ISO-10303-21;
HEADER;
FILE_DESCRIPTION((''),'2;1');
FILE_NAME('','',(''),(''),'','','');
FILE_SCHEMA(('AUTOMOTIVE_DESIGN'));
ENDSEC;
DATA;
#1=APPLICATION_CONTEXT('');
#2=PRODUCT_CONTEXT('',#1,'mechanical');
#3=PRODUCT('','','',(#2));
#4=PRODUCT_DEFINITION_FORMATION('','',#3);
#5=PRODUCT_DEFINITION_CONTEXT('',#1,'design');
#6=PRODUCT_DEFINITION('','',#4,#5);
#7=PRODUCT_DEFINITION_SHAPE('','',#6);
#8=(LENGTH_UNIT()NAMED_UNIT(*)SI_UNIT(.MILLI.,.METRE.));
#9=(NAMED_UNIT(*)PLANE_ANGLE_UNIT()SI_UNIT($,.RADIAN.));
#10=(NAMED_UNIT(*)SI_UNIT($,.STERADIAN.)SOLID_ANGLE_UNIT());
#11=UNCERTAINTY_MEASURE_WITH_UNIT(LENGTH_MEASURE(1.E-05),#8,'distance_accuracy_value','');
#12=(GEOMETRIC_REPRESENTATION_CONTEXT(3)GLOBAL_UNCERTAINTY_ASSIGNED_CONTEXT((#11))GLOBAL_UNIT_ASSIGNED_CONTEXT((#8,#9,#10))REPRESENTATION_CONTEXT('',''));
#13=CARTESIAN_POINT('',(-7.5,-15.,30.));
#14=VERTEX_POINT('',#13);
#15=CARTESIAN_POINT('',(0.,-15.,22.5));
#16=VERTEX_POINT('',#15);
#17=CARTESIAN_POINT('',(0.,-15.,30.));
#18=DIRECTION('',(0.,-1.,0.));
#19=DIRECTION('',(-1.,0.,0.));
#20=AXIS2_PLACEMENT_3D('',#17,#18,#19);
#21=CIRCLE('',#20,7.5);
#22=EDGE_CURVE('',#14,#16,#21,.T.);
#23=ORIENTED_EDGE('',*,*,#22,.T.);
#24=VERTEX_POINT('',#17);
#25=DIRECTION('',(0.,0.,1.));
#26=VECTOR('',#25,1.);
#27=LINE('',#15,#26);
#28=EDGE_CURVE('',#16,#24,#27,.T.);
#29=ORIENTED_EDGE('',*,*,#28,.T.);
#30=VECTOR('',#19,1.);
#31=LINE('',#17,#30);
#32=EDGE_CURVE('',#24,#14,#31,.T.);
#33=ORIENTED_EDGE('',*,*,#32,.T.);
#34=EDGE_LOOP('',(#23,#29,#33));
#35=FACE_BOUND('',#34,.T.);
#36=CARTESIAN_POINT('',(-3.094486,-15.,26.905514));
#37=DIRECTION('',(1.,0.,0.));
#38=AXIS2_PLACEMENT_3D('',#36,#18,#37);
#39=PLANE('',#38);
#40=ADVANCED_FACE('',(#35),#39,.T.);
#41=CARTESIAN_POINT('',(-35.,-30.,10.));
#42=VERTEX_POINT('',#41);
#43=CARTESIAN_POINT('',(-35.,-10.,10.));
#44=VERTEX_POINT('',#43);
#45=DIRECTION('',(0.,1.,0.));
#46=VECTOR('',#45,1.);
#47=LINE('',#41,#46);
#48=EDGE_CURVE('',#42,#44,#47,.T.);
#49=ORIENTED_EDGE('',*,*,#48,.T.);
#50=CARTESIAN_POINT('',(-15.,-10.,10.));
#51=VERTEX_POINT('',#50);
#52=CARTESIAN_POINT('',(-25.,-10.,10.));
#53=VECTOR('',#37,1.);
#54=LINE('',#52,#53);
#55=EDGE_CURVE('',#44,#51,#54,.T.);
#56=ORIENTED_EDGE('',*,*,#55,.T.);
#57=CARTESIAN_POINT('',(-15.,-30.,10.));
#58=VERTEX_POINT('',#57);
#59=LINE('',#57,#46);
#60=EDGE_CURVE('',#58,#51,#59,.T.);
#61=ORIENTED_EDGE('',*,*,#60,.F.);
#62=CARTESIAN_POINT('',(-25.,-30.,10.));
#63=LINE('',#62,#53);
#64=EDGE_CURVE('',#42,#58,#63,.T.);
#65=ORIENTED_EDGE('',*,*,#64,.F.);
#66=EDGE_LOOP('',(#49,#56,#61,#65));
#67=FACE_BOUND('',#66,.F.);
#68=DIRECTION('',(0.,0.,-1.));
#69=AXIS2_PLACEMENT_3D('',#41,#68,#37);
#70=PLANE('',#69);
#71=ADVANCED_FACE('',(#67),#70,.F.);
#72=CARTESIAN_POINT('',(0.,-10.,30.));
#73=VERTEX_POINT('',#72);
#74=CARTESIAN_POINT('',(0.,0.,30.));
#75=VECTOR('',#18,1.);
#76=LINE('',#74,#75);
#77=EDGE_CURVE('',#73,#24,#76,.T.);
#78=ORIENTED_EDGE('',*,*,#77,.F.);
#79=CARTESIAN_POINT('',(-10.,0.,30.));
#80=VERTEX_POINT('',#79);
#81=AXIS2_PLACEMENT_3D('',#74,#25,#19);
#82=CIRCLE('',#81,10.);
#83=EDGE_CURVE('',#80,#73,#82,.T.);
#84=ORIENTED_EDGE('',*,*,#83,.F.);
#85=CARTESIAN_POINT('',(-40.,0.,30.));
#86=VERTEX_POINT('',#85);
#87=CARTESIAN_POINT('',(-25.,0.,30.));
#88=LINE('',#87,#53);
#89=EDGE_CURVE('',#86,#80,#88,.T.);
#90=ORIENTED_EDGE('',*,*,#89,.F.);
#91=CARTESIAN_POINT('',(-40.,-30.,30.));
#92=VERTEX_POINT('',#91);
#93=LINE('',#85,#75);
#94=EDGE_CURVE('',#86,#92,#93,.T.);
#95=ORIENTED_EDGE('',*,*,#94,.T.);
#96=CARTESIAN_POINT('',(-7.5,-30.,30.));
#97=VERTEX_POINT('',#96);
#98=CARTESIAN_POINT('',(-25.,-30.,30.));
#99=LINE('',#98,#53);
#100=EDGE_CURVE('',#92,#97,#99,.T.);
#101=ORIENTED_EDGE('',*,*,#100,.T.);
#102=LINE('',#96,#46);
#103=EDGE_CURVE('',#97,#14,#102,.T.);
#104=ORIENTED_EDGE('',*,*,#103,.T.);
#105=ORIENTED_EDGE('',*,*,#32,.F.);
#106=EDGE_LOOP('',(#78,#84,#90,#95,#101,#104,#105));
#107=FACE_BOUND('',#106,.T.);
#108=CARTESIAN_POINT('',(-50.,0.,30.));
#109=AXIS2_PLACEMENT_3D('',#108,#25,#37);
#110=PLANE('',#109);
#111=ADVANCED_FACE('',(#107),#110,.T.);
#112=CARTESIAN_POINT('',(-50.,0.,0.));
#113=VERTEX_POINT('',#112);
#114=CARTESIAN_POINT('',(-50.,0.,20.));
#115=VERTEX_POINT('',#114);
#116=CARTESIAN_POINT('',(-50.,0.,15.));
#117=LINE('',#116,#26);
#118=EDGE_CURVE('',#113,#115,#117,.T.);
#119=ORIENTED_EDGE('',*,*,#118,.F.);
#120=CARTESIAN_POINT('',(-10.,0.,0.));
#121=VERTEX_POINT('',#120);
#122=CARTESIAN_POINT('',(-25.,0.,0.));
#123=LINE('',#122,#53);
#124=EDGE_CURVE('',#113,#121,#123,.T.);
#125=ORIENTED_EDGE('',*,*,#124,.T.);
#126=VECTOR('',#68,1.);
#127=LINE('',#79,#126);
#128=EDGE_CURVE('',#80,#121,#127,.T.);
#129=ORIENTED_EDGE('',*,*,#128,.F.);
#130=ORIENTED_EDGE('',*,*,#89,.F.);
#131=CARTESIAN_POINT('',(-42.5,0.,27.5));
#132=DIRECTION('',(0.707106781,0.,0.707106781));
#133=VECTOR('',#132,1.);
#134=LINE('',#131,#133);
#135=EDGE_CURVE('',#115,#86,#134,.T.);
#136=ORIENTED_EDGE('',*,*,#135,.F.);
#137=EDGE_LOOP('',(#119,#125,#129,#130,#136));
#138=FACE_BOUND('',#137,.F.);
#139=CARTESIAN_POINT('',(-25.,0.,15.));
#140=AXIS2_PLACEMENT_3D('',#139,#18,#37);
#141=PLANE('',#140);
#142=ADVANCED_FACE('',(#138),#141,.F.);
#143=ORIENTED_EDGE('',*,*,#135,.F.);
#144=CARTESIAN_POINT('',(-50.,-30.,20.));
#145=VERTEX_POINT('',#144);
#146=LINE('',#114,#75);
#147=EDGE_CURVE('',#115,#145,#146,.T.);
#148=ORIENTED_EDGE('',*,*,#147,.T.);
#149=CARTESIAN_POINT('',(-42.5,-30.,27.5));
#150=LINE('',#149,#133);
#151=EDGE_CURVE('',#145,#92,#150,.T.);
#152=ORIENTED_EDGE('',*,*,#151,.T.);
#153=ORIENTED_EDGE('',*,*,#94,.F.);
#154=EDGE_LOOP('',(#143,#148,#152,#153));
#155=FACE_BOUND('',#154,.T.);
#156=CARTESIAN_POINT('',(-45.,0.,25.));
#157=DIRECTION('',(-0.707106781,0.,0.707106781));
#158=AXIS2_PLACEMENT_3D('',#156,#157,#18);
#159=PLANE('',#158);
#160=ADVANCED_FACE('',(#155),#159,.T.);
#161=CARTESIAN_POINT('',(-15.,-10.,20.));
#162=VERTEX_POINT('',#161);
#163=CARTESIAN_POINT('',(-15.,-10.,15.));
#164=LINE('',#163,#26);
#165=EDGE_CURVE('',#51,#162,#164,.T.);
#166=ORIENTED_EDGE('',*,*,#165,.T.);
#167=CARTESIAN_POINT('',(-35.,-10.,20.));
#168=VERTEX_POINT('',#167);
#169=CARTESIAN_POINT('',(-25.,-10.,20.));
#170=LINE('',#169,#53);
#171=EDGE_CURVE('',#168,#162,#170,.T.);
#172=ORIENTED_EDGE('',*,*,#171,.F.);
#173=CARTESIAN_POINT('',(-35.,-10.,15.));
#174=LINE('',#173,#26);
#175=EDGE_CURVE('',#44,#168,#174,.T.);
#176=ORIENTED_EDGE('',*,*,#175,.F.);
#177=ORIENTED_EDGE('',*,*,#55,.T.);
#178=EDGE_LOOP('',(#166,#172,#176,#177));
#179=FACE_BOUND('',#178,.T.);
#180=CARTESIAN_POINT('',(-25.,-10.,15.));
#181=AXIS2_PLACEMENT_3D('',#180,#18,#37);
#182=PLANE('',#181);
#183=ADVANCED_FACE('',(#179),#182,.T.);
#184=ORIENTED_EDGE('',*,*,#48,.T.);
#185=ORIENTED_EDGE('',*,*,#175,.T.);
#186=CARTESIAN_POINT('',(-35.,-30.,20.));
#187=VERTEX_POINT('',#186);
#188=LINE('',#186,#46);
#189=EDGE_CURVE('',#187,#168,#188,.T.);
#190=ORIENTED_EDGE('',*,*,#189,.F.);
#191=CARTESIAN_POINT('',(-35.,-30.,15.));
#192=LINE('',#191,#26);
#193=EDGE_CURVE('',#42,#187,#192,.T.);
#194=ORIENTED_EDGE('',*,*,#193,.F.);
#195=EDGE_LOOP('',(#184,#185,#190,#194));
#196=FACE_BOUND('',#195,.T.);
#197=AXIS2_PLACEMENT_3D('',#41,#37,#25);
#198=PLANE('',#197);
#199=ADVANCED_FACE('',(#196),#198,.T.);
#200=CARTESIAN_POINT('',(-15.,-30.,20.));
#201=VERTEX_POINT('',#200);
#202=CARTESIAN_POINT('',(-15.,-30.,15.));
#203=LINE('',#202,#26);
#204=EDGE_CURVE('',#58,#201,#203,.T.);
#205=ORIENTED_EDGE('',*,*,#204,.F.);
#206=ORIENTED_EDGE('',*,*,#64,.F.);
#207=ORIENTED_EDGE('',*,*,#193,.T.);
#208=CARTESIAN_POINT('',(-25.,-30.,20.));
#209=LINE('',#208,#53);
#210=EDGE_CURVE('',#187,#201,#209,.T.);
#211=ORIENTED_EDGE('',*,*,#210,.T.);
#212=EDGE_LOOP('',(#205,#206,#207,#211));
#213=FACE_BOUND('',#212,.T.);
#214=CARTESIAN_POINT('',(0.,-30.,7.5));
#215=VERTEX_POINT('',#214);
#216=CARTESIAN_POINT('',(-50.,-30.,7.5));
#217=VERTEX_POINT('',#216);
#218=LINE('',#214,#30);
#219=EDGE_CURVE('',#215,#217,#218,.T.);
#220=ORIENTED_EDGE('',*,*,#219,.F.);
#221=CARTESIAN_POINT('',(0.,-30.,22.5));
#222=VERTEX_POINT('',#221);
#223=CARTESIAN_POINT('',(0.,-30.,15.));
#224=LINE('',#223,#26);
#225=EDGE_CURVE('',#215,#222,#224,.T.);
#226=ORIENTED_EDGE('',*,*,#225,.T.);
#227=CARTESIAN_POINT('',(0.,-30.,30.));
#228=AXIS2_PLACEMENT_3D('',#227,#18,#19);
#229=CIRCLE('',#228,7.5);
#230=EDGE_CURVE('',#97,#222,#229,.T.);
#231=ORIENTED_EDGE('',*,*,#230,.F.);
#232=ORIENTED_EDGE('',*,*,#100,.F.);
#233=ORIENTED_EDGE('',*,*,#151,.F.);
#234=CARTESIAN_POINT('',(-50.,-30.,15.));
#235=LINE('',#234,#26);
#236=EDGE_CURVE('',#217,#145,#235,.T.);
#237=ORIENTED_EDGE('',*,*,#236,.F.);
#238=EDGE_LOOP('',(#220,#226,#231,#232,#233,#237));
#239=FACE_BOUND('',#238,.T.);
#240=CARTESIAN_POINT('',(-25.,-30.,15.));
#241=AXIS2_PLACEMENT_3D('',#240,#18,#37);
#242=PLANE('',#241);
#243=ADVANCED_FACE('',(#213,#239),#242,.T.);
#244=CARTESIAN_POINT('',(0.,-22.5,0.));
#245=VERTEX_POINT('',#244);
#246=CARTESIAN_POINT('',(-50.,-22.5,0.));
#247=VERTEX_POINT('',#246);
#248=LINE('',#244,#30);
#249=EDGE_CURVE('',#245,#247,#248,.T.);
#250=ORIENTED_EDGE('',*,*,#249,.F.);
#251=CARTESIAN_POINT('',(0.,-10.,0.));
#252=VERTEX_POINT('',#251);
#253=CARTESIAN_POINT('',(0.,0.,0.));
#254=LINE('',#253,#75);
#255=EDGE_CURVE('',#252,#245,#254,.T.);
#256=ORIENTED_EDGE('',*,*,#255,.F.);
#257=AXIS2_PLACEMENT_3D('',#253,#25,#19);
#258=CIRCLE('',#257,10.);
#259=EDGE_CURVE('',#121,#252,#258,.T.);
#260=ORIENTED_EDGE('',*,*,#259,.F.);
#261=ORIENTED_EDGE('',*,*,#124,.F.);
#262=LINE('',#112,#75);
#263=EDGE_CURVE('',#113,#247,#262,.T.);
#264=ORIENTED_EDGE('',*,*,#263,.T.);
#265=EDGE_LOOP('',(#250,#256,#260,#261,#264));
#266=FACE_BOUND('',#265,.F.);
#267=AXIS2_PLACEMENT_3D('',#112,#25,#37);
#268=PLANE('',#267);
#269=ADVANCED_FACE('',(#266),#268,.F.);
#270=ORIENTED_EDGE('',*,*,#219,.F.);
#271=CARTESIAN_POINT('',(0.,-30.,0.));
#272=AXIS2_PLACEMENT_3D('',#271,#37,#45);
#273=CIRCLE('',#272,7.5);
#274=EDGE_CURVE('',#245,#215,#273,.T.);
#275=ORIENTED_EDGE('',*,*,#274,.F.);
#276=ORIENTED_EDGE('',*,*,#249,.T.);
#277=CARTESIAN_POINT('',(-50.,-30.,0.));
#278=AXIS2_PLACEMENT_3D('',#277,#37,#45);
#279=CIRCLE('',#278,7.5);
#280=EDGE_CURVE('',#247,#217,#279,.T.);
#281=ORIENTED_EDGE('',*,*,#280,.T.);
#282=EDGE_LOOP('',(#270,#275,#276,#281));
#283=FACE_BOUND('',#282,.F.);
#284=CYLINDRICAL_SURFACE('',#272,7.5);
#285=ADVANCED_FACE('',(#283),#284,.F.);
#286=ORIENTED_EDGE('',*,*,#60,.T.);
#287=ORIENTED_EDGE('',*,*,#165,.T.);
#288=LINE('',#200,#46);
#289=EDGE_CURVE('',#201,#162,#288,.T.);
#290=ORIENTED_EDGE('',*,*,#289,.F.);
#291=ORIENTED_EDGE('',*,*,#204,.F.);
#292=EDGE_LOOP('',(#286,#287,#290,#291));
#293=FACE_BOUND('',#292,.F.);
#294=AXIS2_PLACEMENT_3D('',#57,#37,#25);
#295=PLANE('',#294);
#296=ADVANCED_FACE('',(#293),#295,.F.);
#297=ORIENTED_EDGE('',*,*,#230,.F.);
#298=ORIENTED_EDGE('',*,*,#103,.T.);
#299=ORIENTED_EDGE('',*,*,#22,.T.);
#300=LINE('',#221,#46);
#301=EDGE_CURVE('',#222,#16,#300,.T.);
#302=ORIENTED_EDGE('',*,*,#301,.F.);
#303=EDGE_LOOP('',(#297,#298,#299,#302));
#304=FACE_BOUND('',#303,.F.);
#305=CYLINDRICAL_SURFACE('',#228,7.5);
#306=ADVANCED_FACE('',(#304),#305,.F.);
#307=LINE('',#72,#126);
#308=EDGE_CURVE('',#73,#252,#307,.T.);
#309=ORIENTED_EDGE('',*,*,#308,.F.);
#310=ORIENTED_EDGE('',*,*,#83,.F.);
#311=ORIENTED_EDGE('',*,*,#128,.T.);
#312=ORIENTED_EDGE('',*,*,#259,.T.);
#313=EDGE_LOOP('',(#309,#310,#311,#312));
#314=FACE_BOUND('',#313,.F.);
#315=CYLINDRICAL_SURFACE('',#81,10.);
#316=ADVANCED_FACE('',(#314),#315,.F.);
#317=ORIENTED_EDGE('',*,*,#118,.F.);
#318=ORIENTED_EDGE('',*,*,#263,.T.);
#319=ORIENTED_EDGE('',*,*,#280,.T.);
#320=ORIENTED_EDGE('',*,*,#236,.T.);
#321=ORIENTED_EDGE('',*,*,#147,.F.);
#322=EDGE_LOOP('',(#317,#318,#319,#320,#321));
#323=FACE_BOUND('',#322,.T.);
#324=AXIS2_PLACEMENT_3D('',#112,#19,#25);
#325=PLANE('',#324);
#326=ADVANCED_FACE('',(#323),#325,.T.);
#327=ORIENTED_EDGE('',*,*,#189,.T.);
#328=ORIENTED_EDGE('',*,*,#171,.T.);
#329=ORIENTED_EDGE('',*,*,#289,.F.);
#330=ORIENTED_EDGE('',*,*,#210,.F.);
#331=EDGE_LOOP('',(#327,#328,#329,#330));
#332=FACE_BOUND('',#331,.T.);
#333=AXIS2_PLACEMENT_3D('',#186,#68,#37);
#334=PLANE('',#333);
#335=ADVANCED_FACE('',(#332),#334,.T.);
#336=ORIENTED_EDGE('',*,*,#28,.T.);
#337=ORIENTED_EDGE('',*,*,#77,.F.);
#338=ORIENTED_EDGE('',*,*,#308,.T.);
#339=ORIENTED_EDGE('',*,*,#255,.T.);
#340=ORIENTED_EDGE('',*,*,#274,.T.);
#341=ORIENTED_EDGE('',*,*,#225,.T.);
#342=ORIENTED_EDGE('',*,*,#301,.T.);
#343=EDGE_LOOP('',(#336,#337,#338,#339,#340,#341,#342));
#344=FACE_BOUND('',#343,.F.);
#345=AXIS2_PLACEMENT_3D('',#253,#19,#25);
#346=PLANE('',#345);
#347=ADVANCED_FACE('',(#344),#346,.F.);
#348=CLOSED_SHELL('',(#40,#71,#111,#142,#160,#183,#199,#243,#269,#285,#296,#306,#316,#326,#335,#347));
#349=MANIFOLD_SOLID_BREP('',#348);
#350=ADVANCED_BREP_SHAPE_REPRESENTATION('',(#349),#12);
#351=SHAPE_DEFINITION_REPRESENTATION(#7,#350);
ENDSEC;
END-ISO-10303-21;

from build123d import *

# Parameters (mm, degrees)
F0_W     = 50
F0_H     = 30
F1_DEPTH = 30
F3_DEPTH = 50
F5_DEPTH = 30
F7_DEPTH = 15
F6_W     = 20
F6_H     = 10
F8_DEPTH = 20
F9_SIZE  = 10


with BuildPart() as f1:
    # F0 (on Front) → F1 (new body)
    with BuildSketch(Plane.XZ):
        with Locations((-25, 15)):
            Rectangle(F0_W, F0_H)
    extrude(amount=F1_DEPTH)

    # F2 (on face) → F3 (cut, through all)
    with BuildSketch(Plane.YZ):
        with BuildLine():
            Line((-30, 0), (-22.5, 0))
            ThreePointArc((-22.5, 0), (-24.6966991411, 5.3033008589), (-30, 7.5))
            Line((-30, 7.5), (-30, 0))
        make_face()
    extrude(amount=-F3_DEPTH, mode=Mode.SUBTRACT)

    # F4 (on face) → F5 (cut, through all)
    with BuildSketch(Plane.XY.offset(30)):
        with BuildLine():
            Line((0, 0), (-10, 0))
            ThreePointArc((-10, 0), (-7.0710678119, -7.0710678119), (0, -10))
            Line((0, -10), (0, 0))
        make_face()
    extrude(amount=-F5_DEPTH, mode=Mode.SUBTRACT)

    # F6 (on face) → F7 (cut)
    with BuildSketch(Plane.XZ.offset(30)):
        with BuildLine():
            Line((0, 30), (-7.5, 30))
            ThreePointArc((-7.5, 30), (-5.3033008589, 24.6966991411), (0, 22.5))
            Line((0, 22.5), (0, 30))
        make_face()
    extrude(amount=-F7_DEPTH, mode=Mode.SUBTRACT)

    # F6 (on face) → F8 (cut)
    with BuildSketch(Plane.XZ.offset(30)):
        with Locations((-25, 15)):
            Rectangle(F6_W, F6_H)
    extrude(amount=-F8_DEPTH, mode=Mode.SUBTRACT)

    # F9
    f9_edges = [f1.edges().sort_by_distance(p)[0] for p in [
        (-50, -15, 30),
    ]]
    chamfer(f9_edges, length=F9_SIZE)


solid = f1.part
